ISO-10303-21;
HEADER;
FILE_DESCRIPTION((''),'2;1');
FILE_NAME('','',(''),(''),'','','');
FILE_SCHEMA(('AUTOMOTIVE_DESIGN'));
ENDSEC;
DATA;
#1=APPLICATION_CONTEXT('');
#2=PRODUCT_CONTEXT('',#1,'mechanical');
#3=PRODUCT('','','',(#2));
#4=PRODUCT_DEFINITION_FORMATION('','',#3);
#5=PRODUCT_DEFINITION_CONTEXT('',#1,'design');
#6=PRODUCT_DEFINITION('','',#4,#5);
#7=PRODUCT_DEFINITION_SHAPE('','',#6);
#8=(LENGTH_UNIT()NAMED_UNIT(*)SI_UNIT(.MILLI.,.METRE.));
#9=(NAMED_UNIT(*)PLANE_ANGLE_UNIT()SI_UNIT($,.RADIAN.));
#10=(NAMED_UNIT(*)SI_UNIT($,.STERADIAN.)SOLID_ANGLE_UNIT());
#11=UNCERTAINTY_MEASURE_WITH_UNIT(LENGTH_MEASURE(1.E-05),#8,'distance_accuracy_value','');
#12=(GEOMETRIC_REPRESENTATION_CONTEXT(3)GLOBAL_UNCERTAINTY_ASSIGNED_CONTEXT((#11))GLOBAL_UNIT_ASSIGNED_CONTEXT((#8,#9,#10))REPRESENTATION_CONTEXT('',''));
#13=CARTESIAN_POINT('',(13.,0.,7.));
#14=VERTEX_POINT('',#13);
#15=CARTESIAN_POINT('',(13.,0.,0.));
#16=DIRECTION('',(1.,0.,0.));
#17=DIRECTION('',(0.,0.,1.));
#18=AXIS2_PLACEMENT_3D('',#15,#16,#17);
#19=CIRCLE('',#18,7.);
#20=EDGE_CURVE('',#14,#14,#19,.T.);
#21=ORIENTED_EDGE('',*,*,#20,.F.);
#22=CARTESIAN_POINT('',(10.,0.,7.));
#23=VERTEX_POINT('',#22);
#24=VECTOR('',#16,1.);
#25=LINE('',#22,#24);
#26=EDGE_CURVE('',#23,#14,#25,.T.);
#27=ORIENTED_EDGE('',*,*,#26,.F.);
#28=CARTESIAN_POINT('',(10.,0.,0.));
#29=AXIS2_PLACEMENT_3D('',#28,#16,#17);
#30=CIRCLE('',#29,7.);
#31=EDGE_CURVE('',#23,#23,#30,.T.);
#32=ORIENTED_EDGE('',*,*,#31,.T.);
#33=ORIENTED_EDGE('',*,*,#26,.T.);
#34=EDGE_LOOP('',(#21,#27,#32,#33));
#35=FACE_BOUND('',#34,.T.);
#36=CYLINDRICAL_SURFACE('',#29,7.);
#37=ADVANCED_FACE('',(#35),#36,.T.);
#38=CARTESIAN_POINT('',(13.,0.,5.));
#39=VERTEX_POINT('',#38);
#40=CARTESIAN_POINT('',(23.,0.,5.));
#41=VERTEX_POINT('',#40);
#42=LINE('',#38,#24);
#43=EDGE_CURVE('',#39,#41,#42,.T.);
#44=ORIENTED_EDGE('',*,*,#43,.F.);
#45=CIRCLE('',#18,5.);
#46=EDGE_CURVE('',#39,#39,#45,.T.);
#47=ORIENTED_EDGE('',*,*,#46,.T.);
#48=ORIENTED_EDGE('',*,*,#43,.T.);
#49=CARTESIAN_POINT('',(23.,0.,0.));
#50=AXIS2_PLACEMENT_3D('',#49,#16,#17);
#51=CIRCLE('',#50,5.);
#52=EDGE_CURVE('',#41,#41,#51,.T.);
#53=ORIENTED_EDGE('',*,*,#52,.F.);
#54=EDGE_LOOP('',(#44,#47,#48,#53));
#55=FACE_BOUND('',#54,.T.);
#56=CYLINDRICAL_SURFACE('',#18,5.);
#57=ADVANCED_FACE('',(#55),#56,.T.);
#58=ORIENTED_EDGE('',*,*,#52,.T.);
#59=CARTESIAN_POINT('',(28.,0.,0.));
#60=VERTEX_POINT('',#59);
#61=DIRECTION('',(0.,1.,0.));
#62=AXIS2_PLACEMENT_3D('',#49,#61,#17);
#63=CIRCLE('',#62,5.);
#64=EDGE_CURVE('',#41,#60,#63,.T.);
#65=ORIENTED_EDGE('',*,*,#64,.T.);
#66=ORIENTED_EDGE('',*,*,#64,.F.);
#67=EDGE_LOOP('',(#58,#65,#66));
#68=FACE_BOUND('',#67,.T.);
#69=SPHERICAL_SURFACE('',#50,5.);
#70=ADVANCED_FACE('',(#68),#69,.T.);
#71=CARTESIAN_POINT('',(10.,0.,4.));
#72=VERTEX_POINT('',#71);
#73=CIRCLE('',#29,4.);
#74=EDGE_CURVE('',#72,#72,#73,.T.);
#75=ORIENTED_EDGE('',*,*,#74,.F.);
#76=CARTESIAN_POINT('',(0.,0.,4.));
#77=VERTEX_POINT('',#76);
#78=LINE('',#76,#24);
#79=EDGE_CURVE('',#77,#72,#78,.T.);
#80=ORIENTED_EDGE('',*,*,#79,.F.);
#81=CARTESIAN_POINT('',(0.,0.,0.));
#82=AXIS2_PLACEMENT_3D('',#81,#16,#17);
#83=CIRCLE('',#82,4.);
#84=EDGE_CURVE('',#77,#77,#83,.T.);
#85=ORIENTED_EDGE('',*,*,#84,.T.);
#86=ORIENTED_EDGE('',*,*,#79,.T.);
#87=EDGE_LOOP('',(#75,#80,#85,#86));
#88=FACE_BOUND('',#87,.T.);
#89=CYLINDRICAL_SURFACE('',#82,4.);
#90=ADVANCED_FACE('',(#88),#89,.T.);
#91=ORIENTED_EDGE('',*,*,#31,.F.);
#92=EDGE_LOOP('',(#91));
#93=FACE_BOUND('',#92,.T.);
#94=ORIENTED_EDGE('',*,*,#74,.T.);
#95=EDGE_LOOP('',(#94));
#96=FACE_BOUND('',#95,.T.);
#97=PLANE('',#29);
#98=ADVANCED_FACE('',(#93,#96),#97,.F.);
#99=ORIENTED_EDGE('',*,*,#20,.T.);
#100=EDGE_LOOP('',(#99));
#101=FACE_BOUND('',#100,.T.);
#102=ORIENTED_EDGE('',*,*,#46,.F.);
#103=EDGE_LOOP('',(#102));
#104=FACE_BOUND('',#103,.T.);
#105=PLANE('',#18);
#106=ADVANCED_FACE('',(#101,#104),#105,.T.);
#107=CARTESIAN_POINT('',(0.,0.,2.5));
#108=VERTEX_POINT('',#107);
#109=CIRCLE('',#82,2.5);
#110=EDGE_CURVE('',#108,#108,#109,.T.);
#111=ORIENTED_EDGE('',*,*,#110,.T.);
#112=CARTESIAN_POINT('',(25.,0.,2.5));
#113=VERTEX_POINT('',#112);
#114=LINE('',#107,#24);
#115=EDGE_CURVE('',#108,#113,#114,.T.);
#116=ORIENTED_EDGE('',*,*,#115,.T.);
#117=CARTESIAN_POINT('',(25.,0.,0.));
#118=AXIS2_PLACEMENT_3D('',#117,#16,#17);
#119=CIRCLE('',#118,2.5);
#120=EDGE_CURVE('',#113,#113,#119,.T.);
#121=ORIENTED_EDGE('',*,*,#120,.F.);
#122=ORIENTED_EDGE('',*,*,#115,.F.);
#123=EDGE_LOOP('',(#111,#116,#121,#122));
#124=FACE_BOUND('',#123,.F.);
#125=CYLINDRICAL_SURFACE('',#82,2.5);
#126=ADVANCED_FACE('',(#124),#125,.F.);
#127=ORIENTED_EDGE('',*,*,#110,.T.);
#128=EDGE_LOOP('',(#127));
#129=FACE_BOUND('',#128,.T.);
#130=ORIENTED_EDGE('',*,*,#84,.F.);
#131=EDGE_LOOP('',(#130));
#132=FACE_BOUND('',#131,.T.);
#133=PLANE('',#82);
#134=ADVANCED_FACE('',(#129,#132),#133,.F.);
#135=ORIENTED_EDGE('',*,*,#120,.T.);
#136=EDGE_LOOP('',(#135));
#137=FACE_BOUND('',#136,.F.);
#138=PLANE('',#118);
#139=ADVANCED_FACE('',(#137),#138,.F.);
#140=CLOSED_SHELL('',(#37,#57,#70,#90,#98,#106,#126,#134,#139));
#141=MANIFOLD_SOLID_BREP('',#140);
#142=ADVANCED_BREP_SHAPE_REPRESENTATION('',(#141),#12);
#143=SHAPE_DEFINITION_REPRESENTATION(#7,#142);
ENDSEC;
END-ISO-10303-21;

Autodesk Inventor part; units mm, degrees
ref_plane "YZ Plane" through (0, 0, 0) normal (1, 0, 0) x (0, 1, 0)
ref_plane "XZ Plane" through (0, 0, 0) normal (0, 1, 0) x (-1, 0, 0)
ref_plane "XY Plane" through (0, 0, 0) normal (0, 0, 1) x (1, 0, 0)
sketch "Skizze1" plane through (0, 0, 0) normal (0, 1, 0) x (-1, 0, 0)
  line L0 (0, 0) -> (0, 4)
  line L1 (0, 4) -> (-10, 4)
  line L2 (-10, 4) -> (-10, 7)
  line L3 (-10, 7) -> (-13, 7)
  line L4 (-13, 7) -> (-13, 5)
  line L5 (-13, 5) -> (-23, 5)
  arc A0 (-23, 5) -> (-28, 0) centre (-23, 0) ccw
  line L6 (0, 0) -> (-28, 0)
  dimension "d0" = 3
  dimension "d1" = 10
  dimension "d2" = 15
  dimension "d3" = 14
  dimension "d4" = 8
  dimension "d5" = 10
revolve "Umdrehung1" add sketch "Skizze1" angle 360 about axis through (0, 0, 0) along (1, 0, 0)
thread "Gewinde1" size "M8x1.25" class "6g" standard "ISO Metric profile" length 10
sketch "Skizze2" plane through (0, 0, 0) normal (-1, 0, 0) x (0, 0, 1)
  circle A0 centre (0, 0) radius 4 projected
  point P0 (0, 0)
hole "Bohrung1" at (0, 0, 0) direction (1, 0, 0) diameter 5 depth 25
properties part number "1156"
